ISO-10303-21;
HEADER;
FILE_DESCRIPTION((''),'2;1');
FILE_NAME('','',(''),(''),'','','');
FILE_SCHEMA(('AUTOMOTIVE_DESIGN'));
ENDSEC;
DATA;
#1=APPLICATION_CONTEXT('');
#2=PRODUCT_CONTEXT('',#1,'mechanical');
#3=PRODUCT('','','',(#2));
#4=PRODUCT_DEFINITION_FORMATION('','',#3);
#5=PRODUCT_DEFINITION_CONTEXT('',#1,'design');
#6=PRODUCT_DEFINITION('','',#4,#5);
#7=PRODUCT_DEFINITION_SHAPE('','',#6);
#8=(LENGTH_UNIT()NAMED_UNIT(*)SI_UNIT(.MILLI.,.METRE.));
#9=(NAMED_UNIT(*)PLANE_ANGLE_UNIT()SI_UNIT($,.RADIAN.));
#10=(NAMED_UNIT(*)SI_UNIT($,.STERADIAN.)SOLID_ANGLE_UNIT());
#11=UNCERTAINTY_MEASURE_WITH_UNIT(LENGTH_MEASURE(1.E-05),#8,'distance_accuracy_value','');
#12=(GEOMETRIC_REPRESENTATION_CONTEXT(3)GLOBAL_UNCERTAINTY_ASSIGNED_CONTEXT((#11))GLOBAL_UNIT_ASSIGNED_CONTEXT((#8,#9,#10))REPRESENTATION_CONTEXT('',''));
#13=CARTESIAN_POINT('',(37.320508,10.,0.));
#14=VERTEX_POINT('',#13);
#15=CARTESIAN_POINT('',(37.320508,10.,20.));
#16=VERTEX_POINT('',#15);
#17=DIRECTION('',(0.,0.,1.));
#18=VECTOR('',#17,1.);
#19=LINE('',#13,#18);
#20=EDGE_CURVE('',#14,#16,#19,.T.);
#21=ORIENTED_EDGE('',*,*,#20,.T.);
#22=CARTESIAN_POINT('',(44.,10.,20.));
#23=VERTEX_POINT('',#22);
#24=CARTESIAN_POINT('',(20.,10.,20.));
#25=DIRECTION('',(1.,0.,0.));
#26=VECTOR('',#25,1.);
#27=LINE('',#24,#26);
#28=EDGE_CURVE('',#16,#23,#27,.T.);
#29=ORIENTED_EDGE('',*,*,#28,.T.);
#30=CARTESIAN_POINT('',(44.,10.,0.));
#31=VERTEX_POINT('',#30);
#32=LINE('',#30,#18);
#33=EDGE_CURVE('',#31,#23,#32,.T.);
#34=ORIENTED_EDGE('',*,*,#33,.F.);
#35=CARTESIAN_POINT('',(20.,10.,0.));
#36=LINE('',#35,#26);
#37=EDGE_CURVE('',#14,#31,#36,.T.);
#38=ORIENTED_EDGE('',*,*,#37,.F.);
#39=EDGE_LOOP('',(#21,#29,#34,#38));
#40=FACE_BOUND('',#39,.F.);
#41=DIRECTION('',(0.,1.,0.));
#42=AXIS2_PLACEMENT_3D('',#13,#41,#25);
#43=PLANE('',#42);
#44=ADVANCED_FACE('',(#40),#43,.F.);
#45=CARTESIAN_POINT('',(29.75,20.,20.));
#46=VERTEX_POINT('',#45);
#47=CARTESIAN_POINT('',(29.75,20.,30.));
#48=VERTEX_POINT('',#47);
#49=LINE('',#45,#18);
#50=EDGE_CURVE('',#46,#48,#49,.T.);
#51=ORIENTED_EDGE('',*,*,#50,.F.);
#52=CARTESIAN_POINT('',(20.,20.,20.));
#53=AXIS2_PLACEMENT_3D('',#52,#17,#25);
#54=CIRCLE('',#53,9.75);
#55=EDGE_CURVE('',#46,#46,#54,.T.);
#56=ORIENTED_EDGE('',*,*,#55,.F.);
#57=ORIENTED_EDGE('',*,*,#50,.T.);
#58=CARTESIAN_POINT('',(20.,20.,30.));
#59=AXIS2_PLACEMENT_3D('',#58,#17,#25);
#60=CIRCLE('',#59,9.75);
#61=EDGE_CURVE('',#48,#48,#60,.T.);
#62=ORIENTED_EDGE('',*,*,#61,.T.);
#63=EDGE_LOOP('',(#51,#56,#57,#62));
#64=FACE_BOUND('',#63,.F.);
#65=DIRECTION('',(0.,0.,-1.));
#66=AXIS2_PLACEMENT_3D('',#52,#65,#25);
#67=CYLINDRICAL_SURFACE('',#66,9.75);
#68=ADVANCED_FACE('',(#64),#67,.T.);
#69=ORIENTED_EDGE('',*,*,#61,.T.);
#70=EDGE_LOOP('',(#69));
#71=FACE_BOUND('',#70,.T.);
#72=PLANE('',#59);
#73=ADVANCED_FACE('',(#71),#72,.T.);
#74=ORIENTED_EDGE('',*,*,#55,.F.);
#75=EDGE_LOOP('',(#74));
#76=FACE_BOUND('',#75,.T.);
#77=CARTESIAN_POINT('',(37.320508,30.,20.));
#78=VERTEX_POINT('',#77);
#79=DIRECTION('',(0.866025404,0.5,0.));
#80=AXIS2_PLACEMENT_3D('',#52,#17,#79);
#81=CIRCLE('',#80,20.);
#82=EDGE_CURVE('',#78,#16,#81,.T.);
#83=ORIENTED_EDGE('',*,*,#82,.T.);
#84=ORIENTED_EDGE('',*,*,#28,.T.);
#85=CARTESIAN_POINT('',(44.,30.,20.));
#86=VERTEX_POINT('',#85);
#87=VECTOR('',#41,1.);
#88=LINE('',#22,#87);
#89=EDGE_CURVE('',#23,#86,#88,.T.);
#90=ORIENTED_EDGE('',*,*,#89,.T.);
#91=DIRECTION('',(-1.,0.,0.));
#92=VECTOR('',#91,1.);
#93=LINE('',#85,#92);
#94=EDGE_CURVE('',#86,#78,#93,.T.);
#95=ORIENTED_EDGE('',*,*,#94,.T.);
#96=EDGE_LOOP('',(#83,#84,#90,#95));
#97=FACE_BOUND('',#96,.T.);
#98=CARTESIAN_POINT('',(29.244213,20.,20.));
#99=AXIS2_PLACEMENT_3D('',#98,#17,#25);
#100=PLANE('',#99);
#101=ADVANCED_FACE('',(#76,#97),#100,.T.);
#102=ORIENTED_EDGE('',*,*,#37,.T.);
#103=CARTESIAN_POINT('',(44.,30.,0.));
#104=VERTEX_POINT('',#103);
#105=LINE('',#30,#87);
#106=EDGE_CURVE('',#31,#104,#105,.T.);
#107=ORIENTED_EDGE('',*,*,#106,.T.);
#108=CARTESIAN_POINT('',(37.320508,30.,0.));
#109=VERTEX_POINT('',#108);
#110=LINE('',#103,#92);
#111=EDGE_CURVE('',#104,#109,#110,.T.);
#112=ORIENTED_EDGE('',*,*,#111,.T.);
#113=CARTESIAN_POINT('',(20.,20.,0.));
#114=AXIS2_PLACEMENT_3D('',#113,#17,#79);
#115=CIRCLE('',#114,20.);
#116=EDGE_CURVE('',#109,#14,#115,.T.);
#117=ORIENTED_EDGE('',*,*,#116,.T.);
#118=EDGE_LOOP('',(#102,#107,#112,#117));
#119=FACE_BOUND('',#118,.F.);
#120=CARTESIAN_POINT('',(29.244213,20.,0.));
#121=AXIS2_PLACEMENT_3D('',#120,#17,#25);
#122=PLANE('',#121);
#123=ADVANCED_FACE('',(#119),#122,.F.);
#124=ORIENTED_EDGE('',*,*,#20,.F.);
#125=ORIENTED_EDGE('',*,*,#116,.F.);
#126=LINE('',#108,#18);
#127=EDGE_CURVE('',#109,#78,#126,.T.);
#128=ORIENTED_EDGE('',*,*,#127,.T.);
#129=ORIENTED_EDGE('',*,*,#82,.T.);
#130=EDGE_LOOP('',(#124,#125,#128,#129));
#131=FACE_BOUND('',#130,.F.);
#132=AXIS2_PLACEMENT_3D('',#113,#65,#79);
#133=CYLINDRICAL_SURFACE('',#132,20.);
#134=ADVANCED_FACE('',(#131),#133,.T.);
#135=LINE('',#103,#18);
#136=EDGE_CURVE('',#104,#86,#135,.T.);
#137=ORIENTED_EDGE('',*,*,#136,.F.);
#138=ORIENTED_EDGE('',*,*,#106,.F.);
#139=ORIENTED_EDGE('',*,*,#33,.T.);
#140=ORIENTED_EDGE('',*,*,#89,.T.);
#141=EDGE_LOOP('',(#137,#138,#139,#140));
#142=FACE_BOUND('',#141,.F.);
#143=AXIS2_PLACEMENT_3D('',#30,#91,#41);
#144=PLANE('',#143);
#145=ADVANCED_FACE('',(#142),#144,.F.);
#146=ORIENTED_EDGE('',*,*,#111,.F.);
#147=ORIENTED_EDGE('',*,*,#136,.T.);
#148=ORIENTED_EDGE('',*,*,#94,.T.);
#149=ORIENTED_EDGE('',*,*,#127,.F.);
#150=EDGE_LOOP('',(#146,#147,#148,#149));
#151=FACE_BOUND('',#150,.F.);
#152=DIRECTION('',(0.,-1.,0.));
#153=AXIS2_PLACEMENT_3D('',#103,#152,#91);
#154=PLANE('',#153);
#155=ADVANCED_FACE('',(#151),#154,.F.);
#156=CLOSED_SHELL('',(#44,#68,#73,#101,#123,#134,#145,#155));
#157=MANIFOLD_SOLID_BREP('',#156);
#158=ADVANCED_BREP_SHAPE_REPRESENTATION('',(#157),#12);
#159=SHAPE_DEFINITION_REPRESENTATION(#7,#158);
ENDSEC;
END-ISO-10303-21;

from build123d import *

# Parameters (mm, degrees)
F1_DEPTH = 20
F2_R     = 9.75
F3_DEPTH = 10


with BuildPart() as f1:
    # F0 (on Top) → F1 (new body)
    with BuildSketch(Plane.XY):
        with BuildLine():
            ThreePointArc((37.3205080757, 10), (39.3185165258, 14.8236190979), (40, 20))
            ThreePointArc((40, 20), (39.3185165258, 25.1763809021), (37.3205080757, 30))
            Line((37.3205080757, 30), (20, 30))
            Line((20, 30), (20, 10))
            Line((20, 10), (37.3205080757, 10))
        make_face()
        with BuildLine():
            ThreePointArc((37.3205080757, 30), (39.3185165258, 25.1763809021), (40, 20))
            ThreePointArc((40, 20), (39.3185165258, 14.8236190979), (37.3205080757, 10))
            Line((37.3205080757, 10), (44, 10))
            Line((44, 10), (44, 30))
            Line((44, 30), (37.3205080757, 30))
        make_face()
        with BuildLine():
            Line((20, 30), (37.3205080757, 30))
            ThreePointArc((37.3205080757, 30), (0, 20), (37.3205080757, 10))
            Line((37.3205080757, 10), (20, 10))
            Line((20, 10), (20, 30))
        make_face()
    extrude(amount=F1_DEPTH)

    # F2 (on face) → F3 (join)
    with BuildSketch(Plane.XY.offset(20)):
        with Locations((20, 20)):
            Circle(F2_R)
    extrude(amount=F3_DEPTH)


solid = f1.part
